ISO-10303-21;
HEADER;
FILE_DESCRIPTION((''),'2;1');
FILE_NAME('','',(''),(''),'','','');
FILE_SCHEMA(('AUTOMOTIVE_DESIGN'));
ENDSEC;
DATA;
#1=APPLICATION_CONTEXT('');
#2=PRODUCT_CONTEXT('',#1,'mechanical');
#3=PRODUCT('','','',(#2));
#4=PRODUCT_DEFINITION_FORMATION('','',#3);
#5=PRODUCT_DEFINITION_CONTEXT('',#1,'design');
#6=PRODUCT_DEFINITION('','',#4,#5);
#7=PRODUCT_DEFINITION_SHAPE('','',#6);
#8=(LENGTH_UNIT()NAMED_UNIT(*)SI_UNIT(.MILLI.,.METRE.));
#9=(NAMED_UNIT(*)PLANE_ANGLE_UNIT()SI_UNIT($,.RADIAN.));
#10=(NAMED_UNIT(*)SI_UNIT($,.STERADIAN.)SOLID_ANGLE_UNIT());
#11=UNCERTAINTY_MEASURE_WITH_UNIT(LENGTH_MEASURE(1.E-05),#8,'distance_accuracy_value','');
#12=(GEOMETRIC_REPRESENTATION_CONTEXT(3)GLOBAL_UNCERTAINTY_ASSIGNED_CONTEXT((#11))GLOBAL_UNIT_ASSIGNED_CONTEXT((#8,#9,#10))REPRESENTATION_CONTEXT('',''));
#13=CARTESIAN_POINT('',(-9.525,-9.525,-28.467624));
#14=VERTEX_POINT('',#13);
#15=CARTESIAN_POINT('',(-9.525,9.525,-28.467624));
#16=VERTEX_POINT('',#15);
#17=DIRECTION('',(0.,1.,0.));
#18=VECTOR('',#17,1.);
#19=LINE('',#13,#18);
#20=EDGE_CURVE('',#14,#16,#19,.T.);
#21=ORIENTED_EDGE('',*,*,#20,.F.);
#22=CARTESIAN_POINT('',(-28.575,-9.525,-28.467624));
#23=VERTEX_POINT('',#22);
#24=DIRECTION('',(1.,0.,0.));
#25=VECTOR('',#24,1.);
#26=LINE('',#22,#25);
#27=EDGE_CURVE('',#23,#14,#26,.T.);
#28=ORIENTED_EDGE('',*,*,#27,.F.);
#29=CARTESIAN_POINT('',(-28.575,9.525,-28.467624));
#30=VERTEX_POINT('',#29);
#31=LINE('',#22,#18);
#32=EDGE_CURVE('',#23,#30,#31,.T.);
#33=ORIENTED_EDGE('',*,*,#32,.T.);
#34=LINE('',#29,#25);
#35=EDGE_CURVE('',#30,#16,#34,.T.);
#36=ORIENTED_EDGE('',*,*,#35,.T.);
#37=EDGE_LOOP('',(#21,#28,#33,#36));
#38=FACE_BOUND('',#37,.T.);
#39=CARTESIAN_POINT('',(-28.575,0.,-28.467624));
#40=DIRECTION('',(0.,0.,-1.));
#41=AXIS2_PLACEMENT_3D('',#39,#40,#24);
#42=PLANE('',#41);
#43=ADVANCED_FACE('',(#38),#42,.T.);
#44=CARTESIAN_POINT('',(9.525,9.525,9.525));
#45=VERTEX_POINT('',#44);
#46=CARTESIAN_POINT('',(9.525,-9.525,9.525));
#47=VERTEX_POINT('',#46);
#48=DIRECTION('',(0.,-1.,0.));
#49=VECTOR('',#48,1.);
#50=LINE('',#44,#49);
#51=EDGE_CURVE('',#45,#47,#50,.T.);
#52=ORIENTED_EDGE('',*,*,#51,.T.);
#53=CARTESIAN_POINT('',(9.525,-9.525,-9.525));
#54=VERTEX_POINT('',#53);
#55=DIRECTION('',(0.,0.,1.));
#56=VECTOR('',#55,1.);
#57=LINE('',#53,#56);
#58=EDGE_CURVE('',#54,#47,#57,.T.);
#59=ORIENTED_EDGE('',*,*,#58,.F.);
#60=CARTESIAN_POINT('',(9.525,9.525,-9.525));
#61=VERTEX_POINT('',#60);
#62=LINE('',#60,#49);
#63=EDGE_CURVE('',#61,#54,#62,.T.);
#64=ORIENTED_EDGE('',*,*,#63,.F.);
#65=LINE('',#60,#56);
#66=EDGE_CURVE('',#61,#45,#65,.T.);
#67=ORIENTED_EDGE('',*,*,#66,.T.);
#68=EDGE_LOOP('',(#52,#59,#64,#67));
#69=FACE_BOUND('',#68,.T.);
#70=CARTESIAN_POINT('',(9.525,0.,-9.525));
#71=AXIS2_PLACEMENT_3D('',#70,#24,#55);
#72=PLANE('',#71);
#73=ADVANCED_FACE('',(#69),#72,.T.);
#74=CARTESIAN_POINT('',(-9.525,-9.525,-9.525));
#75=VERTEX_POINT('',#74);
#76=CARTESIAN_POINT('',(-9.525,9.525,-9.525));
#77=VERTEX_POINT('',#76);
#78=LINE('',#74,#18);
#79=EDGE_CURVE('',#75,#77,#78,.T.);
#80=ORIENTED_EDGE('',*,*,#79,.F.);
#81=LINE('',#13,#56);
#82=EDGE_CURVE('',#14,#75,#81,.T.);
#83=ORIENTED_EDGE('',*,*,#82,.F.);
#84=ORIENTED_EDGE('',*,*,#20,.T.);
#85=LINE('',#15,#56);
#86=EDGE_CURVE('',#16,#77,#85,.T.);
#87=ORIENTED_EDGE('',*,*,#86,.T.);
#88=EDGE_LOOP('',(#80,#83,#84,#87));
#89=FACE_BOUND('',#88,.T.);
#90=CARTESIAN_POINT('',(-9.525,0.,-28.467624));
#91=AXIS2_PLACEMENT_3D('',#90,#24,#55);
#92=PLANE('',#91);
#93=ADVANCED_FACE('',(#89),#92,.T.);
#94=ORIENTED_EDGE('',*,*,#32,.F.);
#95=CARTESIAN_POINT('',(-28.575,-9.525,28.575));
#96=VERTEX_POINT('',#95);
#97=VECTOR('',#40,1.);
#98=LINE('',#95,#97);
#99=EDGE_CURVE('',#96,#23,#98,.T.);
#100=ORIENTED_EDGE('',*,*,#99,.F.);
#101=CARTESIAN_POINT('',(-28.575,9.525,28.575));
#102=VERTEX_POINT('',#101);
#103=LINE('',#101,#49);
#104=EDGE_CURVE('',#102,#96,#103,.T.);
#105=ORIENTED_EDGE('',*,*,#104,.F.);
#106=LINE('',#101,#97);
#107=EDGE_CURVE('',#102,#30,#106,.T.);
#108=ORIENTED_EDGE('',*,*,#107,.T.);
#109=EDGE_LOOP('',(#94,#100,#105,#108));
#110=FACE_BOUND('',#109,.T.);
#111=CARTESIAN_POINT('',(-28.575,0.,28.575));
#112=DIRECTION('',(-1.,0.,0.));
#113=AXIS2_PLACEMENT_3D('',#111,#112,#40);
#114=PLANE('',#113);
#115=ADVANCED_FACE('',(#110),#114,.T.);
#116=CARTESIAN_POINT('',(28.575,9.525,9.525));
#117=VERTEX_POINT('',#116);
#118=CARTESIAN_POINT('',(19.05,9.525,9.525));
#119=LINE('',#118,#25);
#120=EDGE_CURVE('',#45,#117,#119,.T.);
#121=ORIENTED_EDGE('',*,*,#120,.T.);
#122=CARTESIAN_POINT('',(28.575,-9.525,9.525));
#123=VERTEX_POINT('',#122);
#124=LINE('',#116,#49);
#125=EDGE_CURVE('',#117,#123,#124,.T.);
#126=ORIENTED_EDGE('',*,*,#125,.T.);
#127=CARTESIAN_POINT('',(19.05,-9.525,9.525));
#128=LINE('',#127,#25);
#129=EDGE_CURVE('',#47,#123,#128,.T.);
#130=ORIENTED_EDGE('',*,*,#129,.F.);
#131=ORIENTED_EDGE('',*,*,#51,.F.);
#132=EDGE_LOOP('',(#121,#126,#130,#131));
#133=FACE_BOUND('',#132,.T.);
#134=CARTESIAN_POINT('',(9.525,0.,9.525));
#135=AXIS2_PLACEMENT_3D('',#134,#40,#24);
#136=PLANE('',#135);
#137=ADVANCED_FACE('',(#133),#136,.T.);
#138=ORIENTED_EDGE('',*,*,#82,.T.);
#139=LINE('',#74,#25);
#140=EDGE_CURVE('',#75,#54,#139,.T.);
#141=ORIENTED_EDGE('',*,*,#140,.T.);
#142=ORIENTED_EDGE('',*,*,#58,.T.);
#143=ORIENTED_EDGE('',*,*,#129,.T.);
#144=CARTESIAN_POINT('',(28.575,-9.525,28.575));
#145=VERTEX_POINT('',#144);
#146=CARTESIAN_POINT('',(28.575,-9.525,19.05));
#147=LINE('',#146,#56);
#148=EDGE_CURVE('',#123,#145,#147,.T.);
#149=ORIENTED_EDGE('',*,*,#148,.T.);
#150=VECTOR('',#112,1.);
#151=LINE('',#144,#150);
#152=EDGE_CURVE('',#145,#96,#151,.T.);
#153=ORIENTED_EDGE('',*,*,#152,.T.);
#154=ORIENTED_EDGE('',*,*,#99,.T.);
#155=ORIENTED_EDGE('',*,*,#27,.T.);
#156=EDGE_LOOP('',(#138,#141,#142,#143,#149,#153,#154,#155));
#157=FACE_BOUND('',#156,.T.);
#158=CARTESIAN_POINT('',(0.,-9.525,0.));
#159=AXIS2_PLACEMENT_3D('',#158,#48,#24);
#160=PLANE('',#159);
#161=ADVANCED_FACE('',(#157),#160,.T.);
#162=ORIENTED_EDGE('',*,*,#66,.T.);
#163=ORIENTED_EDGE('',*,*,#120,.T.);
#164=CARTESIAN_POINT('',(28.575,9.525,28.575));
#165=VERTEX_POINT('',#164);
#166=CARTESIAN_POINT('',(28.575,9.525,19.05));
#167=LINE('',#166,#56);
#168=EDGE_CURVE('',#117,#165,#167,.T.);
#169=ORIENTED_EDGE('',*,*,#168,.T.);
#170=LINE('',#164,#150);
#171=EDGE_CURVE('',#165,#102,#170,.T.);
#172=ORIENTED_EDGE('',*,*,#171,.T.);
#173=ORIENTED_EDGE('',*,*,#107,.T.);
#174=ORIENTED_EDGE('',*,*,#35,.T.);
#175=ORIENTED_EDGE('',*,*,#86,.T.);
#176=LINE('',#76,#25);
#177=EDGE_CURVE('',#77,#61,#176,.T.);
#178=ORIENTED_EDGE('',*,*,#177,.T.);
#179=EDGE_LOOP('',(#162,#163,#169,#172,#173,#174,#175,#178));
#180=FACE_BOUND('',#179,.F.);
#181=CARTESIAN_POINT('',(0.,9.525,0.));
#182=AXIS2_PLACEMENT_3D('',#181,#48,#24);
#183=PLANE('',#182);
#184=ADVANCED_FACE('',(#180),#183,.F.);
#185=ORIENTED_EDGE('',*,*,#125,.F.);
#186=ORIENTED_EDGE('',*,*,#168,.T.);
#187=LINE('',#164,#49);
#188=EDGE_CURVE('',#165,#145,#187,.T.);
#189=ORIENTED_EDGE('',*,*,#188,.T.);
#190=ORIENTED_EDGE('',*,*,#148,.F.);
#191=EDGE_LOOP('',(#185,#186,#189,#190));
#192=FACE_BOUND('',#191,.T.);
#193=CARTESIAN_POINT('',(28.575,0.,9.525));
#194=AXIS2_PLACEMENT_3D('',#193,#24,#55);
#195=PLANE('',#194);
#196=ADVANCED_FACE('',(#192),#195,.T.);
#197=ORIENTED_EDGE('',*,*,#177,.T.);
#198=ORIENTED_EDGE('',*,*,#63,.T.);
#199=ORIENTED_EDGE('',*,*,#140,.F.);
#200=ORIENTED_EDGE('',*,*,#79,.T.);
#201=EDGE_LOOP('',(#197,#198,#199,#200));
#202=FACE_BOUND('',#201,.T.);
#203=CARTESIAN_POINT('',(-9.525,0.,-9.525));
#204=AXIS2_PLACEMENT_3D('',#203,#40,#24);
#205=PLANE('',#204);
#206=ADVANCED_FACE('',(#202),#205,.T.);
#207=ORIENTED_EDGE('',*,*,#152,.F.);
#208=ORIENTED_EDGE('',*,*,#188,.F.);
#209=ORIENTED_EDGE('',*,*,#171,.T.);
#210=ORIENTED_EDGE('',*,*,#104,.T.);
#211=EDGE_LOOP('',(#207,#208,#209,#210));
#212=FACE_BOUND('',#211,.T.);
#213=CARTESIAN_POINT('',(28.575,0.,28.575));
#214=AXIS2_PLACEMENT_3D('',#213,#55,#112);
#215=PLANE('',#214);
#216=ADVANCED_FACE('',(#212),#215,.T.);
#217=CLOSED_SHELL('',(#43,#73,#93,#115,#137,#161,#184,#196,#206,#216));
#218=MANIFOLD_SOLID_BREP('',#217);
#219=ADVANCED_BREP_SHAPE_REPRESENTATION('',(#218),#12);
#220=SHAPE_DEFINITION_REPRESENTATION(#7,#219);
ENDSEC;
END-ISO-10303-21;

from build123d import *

# Parameters (mm, degrees)
F0_W     = 19.05
F0_H     = 19.05
F0_H_2   = 18.942624
F1_DEPTH = 9.525


with BuildPart() as f1:
    # F0 (on Front) → F1 (new body, symmetric)
    with BuildSketch(Plane.XZ):
        Polygon((-9.525, -9.525), (9.525, -9.525), (9.525, 9.525), (-9.525, 9.525), (-9.525, -9.417624), align=None)
        Polygon((-9.525, -28.467624), (-9.525, -9.525), (-9.525, -9.417624), (-28.575, -9.417624), (-28.575, -28.467624), align=None)
        with Locations((0, 19.05)):
            Rectangle(F0_W, F0_H)
        with Locations((19.05, 19.05)):
            Rectangle(F0_W, F0_H)
        with Locations((-19.05, 0.053688)):
            Rectangle(F0_W, F0_H_2)
        with Locations((-19.05, 19.05)):
            Rectangle(F0_W, F0_H)
    extrude(amount=F1_DEPTH, both=True)


solid = f1.part
